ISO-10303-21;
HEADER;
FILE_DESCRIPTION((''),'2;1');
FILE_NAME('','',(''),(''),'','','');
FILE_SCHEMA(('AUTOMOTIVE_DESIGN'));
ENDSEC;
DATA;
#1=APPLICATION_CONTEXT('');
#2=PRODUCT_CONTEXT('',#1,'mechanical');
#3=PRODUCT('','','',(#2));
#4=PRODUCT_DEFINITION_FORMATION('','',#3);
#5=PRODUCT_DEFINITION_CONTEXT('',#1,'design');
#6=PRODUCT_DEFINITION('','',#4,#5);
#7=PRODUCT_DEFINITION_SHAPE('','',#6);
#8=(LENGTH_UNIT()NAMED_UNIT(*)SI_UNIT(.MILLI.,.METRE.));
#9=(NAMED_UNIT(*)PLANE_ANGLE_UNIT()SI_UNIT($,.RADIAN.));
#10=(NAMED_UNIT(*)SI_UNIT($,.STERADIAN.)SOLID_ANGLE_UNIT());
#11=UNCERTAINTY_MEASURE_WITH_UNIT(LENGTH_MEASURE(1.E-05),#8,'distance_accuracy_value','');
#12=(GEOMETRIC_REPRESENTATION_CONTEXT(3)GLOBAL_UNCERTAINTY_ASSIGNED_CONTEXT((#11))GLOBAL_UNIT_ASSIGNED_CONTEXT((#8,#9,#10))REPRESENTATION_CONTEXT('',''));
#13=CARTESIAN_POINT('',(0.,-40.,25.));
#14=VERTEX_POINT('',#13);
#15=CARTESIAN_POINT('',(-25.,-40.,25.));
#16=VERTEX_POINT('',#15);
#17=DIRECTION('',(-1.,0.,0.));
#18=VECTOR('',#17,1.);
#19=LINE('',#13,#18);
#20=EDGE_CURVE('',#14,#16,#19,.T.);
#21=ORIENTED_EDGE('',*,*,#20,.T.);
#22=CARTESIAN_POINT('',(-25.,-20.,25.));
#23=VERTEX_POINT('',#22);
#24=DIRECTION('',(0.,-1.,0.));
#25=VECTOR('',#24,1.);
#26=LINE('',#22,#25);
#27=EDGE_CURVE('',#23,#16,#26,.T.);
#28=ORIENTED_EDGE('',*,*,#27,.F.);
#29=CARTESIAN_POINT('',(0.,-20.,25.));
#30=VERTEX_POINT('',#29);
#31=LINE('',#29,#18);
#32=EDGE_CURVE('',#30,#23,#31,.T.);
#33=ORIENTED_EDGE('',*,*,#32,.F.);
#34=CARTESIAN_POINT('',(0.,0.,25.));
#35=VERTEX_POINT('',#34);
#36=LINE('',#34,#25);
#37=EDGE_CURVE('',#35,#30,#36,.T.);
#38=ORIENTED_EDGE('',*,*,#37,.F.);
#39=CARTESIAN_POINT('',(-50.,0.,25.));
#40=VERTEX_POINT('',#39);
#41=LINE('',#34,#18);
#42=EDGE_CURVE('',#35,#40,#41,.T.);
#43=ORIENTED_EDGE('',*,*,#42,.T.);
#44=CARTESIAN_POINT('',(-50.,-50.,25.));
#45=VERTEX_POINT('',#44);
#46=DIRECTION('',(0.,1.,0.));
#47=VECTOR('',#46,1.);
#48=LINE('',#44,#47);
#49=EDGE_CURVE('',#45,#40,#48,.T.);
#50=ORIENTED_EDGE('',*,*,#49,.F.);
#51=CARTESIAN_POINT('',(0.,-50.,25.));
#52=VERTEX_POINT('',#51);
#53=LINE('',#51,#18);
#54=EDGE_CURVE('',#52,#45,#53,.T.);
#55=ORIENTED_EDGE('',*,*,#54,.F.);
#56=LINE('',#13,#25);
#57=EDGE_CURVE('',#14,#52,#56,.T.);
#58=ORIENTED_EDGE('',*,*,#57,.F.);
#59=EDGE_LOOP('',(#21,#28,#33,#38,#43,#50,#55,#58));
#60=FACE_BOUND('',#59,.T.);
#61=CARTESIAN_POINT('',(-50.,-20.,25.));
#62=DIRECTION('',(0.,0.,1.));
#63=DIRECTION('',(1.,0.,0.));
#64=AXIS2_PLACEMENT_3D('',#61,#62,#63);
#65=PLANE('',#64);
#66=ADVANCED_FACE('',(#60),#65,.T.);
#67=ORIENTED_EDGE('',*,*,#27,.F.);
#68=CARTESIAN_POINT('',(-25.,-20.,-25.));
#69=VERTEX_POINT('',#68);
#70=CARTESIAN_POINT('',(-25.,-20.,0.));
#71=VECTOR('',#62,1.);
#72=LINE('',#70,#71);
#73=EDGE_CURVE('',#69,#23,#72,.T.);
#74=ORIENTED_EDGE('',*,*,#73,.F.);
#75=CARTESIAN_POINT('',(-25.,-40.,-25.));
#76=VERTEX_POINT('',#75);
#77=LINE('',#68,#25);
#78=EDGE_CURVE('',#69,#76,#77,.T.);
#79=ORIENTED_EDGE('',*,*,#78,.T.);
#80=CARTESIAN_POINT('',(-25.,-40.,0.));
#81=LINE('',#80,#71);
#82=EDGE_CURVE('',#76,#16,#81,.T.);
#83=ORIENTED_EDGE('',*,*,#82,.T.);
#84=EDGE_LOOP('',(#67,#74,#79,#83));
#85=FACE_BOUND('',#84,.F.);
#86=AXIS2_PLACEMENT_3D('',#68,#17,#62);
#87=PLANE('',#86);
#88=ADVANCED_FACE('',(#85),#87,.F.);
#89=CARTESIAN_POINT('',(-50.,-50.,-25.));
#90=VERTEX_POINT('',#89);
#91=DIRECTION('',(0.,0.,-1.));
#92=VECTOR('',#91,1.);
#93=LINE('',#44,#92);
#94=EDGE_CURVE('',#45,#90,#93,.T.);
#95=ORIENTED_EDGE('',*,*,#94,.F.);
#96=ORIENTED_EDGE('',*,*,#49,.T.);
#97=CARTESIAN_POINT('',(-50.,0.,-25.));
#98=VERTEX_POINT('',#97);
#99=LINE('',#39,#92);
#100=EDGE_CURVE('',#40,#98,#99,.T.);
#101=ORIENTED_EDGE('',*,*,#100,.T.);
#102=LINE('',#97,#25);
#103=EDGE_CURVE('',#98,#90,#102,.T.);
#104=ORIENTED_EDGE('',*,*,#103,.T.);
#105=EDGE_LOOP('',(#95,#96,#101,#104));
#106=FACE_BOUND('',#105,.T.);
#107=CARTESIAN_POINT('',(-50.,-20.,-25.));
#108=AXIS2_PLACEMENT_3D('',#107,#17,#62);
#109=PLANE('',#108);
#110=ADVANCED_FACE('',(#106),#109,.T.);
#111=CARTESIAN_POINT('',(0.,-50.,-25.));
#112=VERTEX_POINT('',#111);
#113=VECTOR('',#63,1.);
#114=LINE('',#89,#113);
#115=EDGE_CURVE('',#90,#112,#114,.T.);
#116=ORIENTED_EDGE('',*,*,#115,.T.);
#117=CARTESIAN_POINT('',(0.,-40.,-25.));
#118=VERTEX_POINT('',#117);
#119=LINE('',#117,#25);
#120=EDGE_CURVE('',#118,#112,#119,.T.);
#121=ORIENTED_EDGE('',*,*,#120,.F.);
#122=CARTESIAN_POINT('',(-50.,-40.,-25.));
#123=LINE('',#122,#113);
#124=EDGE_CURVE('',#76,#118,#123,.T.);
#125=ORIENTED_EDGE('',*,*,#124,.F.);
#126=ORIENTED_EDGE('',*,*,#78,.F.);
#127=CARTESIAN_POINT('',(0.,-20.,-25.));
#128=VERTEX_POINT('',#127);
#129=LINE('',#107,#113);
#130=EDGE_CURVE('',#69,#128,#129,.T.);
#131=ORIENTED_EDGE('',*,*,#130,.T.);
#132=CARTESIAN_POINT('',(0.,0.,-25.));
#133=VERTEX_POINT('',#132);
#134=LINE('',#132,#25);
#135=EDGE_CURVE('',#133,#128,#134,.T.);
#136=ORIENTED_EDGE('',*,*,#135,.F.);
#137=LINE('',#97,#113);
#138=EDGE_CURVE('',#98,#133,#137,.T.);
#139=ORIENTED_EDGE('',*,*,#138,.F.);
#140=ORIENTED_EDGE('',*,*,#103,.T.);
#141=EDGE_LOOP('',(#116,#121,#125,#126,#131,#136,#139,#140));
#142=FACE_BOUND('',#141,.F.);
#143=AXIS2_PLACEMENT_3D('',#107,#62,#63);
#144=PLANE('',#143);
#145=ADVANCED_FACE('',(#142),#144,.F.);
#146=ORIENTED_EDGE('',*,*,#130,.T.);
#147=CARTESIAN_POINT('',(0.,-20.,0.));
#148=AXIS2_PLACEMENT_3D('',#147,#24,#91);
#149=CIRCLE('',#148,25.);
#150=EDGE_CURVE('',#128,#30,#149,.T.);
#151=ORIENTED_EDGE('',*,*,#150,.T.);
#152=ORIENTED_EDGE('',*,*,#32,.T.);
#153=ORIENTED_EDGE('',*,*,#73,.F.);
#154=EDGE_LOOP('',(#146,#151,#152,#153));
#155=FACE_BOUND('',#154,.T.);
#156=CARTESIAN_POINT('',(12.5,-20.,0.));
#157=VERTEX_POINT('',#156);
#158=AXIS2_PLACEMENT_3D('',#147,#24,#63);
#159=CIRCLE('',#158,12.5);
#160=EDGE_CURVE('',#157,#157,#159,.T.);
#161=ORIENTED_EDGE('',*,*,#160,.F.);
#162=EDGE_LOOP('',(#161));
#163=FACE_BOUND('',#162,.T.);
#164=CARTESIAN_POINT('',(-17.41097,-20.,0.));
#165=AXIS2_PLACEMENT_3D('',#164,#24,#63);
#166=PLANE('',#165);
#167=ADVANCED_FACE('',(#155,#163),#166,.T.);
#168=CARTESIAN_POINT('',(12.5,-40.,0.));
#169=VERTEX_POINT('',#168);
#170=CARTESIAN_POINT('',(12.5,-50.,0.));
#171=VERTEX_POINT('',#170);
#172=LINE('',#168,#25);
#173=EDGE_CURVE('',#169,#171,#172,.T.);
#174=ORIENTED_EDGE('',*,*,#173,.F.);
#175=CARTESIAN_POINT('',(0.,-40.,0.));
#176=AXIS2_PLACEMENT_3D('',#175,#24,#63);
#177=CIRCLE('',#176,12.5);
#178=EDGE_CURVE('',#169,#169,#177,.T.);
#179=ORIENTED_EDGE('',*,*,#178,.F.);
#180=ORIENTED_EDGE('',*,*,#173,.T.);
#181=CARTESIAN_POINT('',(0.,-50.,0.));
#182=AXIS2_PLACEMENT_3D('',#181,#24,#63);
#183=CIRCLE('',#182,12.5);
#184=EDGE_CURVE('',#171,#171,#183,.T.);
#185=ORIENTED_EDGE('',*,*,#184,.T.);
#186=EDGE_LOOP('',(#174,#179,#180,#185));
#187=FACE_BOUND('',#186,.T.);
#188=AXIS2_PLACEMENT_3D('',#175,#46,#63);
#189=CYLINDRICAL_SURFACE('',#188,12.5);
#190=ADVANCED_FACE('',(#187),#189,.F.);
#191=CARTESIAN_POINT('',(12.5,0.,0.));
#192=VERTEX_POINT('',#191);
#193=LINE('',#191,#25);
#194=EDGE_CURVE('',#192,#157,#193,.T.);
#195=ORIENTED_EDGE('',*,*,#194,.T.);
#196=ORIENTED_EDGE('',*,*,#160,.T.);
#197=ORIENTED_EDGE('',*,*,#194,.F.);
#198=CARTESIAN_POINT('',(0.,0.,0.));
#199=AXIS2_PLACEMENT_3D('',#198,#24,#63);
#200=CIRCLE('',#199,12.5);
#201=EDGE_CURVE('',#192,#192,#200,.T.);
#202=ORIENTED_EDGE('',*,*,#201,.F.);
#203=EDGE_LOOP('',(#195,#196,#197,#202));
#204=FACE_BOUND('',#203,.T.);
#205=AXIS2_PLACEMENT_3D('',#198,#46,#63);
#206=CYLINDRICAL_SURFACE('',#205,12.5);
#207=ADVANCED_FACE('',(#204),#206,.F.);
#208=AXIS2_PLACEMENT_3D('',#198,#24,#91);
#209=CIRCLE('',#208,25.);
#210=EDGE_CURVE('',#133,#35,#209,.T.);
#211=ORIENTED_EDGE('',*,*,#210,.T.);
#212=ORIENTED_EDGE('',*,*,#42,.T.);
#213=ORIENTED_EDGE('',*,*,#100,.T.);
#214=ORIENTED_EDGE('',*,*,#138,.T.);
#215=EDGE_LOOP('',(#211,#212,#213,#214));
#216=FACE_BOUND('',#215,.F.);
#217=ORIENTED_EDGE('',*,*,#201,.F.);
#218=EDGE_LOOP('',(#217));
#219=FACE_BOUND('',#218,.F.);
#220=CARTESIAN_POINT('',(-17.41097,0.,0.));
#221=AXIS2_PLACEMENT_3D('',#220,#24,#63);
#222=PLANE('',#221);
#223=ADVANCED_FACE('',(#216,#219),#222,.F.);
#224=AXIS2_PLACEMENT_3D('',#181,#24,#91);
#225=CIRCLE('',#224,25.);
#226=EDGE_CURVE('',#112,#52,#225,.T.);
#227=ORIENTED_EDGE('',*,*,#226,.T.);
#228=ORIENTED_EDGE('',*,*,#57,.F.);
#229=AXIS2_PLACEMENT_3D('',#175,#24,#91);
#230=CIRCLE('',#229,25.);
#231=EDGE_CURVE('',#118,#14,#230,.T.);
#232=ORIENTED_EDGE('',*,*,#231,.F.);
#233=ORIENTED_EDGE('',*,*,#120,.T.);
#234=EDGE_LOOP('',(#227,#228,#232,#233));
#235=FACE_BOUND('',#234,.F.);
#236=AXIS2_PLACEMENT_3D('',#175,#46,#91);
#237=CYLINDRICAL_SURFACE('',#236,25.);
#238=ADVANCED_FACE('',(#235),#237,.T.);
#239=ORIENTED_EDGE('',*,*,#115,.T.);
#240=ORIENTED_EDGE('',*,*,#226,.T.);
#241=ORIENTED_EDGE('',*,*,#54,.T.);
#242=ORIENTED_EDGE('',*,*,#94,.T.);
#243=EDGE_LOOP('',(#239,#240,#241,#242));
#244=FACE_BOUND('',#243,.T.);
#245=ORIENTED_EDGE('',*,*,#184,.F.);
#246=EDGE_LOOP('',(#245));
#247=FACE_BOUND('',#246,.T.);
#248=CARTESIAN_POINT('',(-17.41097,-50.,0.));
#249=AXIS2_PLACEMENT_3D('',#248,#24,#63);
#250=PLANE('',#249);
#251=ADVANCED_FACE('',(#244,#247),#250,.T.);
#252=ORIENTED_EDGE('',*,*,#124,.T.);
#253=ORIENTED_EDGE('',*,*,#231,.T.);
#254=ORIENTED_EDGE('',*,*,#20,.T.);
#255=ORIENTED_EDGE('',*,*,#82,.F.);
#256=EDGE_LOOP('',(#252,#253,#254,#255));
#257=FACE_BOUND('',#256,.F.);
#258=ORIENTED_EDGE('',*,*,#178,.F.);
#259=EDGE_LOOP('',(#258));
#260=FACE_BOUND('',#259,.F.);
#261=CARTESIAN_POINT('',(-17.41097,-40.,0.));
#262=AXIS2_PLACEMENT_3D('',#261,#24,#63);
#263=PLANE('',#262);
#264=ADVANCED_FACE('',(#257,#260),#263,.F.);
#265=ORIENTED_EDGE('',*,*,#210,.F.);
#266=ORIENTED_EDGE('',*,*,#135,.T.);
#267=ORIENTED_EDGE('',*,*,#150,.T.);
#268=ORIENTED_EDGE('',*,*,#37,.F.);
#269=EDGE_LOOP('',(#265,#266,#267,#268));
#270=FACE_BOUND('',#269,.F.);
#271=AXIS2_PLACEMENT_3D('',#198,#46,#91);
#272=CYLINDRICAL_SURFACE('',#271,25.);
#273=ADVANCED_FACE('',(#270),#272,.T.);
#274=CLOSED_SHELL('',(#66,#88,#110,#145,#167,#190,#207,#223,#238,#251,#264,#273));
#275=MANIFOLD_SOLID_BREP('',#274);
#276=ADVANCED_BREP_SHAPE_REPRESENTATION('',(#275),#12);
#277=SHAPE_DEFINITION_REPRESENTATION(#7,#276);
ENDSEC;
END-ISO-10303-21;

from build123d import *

# Parameters (mm, degrees)
F0_R     = 12.5
F1_DEPTH = 20
F3_R     = 12.5
F4_DEPTH = 10
F5_W     = 25
F5_H     = 50
F6_DEPTH = 20


with BuildPart() as f1:
    # F0 (on Front) → F1 (new body)
    with BuildSketch(Plane.XZ):
        with BuildLine():
            Line((-50, -25), (0, -25))
            ThreePointArc((0, -25), (25, 0), (0, 25))
            Line((0, 25), (-50, 25))
            Line((-50, 25), (-50, -25))
        make_face()
        Circle(F0_R, mode=Mode.SUBTRACT)
    extrude(amount=F1_DEPTH)



with BuildPart() as f4:
    # F3 (on offset) → F4 (new body)
    with BuildSketch(Plane.XZ.offset(40)):
        with BuildLine():
            Line((0, 25), (-50, 25))
            Line((-50, 25), (-50, -25))
            Line((-50, -25), (0, -25))
            ThreePointArc((0, -25), (25, 0), (0, 25))
        make_face()
        Circle(F3_R, mode=Mode.SUBTRACT)
    extrude(amount=F4_DEPTH)


with BuildPart() as f1_1:
    add(f1.part)

    add(f4.part)  # F6 merges F4
    # F5 (on face) → F6 (join, through all)
    with BuildSketch(Plane.XZ.offset(20)):
        with Locations((-37.5, 0)):
            Rectangle(F5_W, F5_H)
    extrude(amount=F6_DEPTH)


solid = f1_1.part
